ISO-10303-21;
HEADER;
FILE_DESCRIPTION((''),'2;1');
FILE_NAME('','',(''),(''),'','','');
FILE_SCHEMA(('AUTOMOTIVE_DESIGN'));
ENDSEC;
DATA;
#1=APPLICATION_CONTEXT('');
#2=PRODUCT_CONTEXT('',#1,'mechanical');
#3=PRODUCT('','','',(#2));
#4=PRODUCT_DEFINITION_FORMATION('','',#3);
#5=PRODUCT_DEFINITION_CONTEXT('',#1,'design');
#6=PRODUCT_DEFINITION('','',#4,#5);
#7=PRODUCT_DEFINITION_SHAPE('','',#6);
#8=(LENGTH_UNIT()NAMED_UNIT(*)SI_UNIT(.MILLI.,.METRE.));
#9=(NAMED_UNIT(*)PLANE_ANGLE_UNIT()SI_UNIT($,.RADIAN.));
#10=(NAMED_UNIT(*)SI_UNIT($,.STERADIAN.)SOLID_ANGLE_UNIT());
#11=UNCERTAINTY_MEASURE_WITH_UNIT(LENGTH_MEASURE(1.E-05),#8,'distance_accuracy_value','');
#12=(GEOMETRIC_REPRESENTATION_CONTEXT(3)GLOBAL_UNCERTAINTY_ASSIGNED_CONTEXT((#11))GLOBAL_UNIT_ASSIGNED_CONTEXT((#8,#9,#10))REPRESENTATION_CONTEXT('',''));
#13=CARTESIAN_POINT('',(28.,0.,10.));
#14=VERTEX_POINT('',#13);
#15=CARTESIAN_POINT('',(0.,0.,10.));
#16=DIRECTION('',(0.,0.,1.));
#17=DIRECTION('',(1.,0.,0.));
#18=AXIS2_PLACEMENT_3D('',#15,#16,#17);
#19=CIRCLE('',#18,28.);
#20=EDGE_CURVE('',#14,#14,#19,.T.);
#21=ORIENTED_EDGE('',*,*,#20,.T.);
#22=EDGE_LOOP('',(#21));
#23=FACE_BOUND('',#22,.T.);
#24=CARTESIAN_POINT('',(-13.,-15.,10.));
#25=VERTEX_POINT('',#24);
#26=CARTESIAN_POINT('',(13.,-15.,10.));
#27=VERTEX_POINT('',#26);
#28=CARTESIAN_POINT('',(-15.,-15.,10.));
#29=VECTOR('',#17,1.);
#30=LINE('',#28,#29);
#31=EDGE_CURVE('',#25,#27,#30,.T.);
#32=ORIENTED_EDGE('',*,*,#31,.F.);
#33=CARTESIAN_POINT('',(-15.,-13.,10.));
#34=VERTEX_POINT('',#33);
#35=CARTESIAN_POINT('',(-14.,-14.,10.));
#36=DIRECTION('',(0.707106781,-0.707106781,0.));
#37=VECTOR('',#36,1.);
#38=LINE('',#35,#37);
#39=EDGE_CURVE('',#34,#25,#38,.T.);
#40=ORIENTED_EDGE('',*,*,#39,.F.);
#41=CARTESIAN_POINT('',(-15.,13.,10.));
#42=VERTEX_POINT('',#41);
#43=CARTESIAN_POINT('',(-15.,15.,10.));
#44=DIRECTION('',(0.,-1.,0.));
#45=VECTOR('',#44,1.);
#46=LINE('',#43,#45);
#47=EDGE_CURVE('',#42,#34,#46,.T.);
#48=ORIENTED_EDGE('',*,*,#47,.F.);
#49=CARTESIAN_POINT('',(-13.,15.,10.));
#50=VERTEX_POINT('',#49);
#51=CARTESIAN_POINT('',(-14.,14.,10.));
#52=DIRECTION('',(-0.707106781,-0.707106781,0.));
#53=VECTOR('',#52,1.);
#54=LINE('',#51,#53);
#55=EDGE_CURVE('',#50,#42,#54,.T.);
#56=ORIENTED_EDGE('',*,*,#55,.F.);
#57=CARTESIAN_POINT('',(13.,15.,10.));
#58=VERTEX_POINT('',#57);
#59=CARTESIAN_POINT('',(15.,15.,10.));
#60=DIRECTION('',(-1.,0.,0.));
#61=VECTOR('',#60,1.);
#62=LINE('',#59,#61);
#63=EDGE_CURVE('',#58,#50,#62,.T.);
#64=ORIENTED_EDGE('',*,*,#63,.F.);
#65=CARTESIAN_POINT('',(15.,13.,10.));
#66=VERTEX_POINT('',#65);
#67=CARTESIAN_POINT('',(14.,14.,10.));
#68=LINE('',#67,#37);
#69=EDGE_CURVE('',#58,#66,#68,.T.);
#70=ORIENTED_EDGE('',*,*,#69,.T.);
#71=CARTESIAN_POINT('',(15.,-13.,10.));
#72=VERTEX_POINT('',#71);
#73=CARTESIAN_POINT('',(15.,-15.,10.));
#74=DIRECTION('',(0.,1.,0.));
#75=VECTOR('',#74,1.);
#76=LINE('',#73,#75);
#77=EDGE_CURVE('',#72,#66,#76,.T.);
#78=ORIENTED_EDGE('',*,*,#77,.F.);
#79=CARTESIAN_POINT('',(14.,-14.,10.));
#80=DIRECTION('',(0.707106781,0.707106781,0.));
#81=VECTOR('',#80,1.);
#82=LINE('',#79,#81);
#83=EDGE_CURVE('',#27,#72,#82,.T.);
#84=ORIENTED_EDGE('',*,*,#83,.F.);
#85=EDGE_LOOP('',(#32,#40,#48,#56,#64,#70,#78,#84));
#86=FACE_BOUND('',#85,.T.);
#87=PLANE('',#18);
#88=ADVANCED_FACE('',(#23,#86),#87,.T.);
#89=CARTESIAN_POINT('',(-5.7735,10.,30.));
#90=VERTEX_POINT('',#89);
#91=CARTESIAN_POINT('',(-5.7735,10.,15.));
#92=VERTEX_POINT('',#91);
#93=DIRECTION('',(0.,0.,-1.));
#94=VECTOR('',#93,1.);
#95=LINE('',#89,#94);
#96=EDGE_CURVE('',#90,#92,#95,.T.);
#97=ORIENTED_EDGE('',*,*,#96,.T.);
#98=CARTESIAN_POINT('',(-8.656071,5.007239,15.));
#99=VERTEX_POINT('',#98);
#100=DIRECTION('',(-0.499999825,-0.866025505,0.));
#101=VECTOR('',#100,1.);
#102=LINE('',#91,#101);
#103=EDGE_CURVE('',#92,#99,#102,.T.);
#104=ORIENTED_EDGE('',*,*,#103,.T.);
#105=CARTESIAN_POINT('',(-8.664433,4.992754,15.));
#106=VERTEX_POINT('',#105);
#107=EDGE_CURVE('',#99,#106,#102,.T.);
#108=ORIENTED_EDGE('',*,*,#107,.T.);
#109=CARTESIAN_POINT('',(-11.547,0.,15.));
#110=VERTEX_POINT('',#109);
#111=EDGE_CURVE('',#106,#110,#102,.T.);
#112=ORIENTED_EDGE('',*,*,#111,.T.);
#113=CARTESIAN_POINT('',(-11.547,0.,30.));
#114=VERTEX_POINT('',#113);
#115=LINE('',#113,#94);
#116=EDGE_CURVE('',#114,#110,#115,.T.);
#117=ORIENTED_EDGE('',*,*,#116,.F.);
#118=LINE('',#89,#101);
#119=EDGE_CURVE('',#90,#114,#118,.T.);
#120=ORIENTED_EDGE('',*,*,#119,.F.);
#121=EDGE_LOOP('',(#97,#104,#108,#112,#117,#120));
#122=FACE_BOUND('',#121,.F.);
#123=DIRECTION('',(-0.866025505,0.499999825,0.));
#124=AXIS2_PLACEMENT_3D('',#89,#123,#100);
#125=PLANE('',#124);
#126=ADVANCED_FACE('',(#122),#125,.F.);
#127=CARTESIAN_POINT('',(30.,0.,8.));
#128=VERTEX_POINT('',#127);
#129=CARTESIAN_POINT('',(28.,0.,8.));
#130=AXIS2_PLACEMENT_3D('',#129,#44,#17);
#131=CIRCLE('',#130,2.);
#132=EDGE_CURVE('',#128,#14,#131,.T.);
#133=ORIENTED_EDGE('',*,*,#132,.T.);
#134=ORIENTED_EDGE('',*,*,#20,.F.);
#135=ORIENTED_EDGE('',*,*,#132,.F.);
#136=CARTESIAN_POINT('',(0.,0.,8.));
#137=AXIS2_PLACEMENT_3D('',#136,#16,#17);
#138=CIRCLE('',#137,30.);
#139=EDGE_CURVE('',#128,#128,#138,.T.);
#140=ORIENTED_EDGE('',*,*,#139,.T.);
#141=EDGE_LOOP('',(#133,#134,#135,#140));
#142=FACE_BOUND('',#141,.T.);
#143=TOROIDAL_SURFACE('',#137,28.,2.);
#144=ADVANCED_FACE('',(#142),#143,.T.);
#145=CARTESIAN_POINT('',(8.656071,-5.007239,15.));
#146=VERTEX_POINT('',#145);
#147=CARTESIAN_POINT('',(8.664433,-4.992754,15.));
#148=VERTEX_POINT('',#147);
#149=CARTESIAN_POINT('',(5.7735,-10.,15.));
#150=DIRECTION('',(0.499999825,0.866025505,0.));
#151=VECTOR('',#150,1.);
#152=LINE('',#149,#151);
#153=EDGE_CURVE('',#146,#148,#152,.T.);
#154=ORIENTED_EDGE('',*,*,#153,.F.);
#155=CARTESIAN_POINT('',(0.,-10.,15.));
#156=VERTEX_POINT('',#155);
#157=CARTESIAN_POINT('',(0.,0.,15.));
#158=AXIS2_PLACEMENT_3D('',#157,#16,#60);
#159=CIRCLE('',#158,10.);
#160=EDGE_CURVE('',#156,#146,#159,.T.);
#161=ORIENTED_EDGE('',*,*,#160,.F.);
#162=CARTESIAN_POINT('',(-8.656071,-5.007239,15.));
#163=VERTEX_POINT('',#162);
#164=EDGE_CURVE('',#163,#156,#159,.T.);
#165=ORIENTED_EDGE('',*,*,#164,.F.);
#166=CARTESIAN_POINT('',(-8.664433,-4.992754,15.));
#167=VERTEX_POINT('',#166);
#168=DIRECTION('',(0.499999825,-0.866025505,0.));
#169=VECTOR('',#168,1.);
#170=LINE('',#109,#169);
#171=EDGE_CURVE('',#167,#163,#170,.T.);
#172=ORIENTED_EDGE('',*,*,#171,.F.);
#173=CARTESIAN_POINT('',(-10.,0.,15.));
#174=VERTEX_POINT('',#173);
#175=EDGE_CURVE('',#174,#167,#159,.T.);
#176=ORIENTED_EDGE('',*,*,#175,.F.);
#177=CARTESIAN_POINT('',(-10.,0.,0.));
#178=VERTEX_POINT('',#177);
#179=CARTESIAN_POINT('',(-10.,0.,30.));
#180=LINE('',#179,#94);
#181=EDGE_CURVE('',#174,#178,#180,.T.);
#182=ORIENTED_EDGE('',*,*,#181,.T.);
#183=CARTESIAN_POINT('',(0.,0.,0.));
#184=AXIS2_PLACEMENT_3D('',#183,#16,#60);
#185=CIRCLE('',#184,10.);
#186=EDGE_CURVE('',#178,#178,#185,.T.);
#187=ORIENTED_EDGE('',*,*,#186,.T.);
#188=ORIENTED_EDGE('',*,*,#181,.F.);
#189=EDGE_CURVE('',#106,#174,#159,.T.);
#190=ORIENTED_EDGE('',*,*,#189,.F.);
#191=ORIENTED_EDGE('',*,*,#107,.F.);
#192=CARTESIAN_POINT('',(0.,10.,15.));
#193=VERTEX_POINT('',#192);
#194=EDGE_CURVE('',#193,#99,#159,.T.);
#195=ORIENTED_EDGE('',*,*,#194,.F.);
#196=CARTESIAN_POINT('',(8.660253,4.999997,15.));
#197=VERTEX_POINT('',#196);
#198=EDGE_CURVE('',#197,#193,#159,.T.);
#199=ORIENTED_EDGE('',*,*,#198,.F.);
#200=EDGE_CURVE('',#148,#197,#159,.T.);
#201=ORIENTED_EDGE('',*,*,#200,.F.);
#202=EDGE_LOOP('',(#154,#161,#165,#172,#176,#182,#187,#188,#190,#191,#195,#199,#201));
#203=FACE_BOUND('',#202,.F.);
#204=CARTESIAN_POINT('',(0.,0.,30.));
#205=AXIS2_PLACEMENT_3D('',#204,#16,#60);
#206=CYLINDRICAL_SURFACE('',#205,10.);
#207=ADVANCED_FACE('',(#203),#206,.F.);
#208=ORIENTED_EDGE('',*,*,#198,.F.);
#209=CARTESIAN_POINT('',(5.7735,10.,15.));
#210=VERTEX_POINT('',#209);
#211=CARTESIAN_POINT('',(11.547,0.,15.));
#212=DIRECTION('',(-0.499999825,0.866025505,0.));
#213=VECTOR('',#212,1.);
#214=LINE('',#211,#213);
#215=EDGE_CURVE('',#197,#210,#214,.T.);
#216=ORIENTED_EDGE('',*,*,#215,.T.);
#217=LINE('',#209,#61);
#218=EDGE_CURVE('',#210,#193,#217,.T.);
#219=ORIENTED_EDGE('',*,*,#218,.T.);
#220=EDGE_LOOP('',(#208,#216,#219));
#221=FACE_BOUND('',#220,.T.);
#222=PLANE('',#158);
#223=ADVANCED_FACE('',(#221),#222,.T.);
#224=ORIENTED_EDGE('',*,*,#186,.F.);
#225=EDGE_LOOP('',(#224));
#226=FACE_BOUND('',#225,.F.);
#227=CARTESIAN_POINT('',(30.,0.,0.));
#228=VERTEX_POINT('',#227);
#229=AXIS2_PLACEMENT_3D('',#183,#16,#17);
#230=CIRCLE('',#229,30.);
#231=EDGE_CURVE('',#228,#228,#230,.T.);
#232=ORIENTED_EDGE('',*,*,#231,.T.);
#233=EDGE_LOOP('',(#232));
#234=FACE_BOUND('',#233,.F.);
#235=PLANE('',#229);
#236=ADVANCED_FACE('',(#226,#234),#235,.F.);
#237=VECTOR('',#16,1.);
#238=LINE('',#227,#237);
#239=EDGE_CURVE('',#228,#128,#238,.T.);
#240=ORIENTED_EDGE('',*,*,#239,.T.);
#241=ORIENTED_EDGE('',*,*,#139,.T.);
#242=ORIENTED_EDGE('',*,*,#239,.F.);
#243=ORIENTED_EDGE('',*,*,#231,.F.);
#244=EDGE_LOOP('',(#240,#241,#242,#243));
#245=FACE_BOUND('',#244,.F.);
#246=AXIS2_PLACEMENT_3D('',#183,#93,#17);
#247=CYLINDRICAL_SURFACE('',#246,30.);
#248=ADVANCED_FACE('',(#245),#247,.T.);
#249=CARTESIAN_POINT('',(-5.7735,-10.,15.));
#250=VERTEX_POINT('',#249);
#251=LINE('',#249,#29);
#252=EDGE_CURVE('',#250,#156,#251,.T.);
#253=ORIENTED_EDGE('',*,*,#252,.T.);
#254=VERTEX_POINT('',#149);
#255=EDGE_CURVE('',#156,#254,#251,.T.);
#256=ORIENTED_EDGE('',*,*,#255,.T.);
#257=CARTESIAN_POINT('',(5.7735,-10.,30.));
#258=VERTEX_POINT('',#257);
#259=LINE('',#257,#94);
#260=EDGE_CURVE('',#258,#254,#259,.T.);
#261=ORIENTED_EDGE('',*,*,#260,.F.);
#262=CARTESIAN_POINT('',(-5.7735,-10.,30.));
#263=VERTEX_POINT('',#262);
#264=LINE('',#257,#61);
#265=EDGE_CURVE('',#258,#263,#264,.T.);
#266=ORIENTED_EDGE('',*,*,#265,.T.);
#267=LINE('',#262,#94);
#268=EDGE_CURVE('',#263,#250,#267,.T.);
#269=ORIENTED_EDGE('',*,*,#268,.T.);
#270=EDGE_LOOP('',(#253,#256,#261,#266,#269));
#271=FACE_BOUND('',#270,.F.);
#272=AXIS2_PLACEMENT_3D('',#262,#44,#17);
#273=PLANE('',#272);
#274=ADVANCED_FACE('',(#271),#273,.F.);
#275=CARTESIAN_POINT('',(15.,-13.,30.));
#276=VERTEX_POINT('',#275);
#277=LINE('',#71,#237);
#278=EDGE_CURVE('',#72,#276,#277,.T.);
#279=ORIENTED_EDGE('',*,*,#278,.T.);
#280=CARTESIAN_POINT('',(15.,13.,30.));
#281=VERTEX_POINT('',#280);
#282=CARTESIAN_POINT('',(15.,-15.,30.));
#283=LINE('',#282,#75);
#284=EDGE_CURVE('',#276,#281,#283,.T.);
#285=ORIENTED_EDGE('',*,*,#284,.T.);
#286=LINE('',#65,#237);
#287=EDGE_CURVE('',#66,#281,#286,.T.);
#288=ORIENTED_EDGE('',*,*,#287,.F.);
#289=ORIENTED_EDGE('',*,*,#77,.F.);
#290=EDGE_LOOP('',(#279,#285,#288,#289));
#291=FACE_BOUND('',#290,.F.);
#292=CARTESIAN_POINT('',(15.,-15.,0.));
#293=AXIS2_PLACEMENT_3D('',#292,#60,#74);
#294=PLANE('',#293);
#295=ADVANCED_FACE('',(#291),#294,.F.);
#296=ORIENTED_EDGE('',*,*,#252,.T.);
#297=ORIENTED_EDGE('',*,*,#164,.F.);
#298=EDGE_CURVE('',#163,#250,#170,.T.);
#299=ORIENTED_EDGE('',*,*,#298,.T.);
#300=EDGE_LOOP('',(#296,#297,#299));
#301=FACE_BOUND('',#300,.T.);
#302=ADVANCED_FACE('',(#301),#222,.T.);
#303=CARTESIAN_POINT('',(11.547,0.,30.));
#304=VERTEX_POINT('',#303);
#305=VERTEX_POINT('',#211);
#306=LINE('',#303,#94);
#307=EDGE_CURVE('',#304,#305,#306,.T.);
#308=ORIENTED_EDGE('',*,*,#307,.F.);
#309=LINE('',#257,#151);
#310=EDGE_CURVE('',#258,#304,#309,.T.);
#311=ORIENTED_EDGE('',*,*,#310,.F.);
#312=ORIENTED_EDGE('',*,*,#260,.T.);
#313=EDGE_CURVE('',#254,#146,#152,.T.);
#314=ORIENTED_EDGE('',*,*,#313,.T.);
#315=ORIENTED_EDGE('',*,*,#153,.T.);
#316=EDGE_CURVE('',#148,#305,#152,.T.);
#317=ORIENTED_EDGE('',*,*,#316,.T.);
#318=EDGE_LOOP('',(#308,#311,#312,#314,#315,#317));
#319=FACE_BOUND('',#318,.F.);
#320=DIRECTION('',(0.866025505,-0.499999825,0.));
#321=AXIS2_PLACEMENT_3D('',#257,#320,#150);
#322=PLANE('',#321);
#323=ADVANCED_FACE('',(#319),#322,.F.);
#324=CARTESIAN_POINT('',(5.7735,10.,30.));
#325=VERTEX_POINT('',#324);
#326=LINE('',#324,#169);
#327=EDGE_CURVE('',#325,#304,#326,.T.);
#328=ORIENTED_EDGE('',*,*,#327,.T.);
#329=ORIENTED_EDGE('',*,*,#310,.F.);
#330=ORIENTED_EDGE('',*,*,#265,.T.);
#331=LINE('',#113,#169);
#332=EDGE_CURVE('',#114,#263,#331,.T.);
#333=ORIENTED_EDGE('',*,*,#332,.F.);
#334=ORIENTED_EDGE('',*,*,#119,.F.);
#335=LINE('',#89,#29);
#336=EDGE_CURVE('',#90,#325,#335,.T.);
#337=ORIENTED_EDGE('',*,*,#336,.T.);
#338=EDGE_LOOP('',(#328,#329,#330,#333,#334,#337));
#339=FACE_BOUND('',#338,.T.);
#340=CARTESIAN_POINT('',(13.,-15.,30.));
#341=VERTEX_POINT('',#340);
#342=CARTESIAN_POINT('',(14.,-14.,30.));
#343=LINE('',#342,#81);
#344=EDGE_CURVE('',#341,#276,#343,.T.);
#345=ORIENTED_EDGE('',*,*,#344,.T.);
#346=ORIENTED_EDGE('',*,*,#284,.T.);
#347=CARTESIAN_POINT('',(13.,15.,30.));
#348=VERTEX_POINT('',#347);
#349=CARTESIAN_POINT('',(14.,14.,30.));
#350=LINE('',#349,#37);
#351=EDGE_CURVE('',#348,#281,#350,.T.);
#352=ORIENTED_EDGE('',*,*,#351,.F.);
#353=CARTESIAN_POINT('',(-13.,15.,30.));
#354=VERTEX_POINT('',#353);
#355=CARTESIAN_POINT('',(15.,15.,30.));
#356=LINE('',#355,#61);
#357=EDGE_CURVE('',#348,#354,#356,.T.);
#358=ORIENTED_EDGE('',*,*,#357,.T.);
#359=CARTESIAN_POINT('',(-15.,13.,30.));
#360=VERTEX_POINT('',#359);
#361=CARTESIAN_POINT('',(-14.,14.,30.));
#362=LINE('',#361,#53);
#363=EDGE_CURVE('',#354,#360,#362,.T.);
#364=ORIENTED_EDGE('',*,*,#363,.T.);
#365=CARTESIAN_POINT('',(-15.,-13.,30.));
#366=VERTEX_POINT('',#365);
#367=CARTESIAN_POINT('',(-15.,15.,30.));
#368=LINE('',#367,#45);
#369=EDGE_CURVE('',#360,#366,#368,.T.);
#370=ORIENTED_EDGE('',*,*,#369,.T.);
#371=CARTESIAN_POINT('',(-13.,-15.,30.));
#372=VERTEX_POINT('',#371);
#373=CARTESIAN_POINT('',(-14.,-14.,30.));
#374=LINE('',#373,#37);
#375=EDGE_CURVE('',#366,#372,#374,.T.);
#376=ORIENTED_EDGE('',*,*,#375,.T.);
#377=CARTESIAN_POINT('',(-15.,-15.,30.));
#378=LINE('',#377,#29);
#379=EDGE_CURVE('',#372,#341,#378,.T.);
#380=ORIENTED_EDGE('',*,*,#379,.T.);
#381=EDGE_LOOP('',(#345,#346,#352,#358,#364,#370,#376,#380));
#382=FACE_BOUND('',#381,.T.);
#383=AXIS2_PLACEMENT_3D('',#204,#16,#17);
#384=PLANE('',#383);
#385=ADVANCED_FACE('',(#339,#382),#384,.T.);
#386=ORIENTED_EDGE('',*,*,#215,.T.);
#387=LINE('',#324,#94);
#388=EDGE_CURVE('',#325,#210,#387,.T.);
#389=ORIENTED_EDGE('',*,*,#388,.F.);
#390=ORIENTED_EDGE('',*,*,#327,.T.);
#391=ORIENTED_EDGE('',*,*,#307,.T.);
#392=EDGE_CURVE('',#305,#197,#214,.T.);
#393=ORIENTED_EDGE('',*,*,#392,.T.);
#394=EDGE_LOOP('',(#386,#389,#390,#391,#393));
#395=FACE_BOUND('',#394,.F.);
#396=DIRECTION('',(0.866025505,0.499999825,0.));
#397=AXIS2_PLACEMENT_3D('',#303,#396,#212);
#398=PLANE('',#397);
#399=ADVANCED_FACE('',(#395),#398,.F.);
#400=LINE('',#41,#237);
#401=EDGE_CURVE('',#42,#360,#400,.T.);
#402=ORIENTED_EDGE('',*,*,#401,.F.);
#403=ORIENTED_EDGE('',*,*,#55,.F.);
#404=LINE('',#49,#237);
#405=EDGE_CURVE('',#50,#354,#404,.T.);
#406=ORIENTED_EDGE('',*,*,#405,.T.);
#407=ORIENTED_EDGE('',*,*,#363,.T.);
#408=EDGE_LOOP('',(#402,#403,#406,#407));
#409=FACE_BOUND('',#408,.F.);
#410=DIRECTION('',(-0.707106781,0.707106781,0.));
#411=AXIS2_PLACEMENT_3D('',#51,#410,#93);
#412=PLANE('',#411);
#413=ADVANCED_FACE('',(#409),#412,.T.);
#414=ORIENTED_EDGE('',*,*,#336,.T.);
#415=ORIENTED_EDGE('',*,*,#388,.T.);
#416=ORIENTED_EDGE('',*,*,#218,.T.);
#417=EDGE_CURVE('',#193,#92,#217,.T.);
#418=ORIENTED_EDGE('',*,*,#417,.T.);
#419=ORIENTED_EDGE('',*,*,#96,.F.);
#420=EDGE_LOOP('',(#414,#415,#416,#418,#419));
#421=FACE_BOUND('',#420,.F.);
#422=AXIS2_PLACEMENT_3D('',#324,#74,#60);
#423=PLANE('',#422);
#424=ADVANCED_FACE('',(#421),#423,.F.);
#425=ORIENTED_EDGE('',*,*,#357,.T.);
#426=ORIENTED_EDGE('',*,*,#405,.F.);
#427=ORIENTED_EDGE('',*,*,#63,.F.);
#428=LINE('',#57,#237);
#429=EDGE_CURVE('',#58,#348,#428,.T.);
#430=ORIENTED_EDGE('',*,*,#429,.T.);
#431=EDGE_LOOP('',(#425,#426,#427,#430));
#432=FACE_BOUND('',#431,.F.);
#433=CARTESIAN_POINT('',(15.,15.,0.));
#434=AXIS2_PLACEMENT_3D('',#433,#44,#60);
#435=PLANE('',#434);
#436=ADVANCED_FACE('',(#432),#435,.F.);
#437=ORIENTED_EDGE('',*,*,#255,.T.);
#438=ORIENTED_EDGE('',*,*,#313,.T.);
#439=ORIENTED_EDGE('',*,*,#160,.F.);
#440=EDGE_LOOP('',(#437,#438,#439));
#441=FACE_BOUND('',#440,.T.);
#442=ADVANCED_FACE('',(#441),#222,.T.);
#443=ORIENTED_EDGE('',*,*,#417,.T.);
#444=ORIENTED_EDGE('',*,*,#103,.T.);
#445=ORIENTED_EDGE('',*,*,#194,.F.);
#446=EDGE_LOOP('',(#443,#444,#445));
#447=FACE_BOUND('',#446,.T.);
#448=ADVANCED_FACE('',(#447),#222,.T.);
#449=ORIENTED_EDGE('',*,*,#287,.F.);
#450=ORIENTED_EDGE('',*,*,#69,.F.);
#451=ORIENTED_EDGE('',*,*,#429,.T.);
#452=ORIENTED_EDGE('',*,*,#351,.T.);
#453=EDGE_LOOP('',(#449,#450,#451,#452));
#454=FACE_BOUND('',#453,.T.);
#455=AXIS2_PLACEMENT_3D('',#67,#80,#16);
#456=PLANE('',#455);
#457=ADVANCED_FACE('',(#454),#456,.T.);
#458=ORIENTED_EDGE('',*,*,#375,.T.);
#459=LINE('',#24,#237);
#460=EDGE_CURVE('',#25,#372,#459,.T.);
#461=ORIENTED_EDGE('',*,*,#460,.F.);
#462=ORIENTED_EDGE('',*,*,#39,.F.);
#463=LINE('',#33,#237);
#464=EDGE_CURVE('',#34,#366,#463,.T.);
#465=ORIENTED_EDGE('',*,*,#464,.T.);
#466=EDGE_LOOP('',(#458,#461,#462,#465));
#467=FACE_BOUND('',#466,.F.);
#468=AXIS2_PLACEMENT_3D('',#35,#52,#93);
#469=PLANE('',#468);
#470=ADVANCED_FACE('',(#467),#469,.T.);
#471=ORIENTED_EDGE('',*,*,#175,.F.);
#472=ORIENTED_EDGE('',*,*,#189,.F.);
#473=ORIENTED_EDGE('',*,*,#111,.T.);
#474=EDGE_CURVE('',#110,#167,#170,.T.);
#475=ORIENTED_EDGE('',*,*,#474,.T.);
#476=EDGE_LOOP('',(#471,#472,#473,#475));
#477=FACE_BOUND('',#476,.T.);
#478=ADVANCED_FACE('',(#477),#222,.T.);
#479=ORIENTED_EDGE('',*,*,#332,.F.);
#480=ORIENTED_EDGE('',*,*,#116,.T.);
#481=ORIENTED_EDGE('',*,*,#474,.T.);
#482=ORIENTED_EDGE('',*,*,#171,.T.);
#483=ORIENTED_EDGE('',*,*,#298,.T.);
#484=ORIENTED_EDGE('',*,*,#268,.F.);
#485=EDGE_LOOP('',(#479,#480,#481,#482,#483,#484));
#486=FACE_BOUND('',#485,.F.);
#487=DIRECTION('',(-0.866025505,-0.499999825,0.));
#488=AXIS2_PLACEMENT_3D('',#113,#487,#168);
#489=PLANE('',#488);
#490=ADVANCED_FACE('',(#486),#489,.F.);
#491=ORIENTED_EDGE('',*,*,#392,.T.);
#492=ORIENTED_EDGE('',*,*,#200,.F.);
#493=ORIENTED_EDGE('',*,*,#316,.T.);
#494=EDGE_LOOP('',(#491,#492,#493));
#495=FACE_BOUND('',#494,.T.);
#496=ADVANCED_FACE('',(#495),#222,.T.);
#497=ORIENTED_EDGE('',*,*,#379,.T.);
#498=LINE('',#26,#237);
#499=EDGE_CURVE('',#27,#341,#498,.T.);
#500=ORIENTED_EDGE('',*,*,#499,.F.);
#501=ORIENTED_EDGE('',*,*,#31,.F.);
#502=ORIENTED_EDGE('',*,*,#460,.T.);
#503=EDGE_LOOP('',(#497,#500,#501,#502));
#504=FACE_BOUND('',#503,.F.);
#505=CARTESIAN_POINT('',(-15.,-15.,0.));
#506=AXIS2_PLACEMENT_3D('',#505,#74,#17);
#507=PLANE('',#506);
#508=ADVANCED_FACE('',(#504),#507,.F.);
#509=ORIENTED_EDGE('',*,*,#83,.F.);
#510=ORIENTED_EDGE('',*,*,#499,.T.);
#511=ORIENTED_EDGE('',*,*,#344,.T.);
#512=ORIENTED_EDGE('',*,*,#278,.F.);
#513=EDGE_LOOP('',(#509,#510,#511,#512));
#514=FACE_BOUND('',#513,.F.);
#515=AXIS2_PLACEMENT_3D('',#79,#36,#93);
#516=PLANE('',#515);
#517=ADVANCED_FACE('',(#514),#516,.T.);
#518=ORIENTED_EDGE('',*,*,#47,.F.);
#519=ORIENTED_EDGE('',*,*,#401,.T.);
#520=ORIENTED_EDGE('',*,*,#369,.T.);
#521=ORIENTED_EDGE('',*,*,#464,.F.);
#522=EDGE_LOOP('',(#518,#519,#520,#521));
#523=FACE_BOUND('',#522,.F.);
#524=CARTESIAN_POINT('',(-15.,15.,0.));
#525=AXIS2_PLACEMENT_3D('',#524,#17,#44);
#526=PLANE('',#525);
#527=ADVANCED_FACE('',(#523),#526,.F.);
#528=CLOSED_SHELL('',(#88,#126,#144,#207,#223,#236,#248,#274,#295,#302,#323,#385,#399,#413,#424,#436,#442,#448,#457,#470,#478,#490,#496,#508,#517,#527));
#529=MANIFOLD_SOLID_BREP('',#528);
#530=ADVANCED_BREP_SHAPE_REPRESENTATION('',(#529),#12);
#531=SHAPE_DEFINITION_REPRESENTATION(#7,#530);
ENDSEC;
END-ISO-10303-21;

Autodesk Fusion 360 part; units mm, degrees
sketch "Sketch1" plane through (0, 0, 0) normal (0, 0, 1) x (1, 0, 0)
  circle A0 centre (0, 0) radius 30
  line L0 (15, 15) -> (-15, 15)
  line L1 (-15, 15) -> (-15, -15)
  line L2 (-15, -15) -> (15, -15)
  line L3 (15, -15) -> (15, 15)
  line L4 (15, 15) -> (-15, -15) construction
  line L5 (-15, 15) -> (15, -15) construction
  dimension "d1" = 60
  dimension "d2" = 30
  dimension "d3" = 30
extrude "Extrude1" add sketch "Sketch1" along normal blind 10
extrude "Extrude3" add sketch "Sketch1" along normal blind 30 contours L0 L1 L2 L3
sketch "Sketch3" plane through (0, 0, 30) normal (0, 0, 1) x (-1, 0, 0)
  line L0 (5.7735, -10) -> (11.547, 0)
  line L1 (11.547, 0) -> (5.7735, 10)
  line L2 (5.7735, 10) -> (-5.7735, 10)
  line L3 (-5.7735, 10) -> (-11.547, 0)
  line L4 (-11.547, 0) -> (-5.7735, -10)
  line L5 (-5.7735, -10) -> (5.7735, -10)
  dimension "d11" = 20
  dimension "d12" = 23.094
extrude "Extrude4" cut sketch "Sketch3" against normal blind 15
sketch "Sketch4" plane through (0, 0, 30) normal (0, 0, 1) x (-1, 0, 0)
  circle A0 centre (0, 0) radius 10
  line L0 (-5.7735, -10) -> (-11.547, 0)
extrude "Extrude5" cut sketch "Sketch4" against normal blind 55
fillet "Fillet1" radius 2 1 edges at (-27.9698, -10.8485, 10)
chamfer "Chamfer1" distance 2 angle 45 4 edges at (-15, -15, 20) (-15, 15, 20) (15, 15, 20) (15, -15, 20)
sketch "Sketch2" plane through (0, 0, 30) normal (0, 0, 1) x (-1, 0, 0)
  line L0 (0.7735, -12.8868) -> (11.547, -5.7735)
  line L1 (11.547, -5.7735) -> (10.7735, 7.1132)
  line L2 (10.7735, 7.1132) -> (-0.7735, 12.8868)
  line L3 (-0.7735, 12.8868) -> (-11.547, 5.7735)
  line L4 (-11.547, 5.7735) -> (-10.7735, -7.1132)
  line L5 (-10.7735, -7.1132) -> (0.7735, -12.8868)
extrude "Extrude2" [suppressed]
